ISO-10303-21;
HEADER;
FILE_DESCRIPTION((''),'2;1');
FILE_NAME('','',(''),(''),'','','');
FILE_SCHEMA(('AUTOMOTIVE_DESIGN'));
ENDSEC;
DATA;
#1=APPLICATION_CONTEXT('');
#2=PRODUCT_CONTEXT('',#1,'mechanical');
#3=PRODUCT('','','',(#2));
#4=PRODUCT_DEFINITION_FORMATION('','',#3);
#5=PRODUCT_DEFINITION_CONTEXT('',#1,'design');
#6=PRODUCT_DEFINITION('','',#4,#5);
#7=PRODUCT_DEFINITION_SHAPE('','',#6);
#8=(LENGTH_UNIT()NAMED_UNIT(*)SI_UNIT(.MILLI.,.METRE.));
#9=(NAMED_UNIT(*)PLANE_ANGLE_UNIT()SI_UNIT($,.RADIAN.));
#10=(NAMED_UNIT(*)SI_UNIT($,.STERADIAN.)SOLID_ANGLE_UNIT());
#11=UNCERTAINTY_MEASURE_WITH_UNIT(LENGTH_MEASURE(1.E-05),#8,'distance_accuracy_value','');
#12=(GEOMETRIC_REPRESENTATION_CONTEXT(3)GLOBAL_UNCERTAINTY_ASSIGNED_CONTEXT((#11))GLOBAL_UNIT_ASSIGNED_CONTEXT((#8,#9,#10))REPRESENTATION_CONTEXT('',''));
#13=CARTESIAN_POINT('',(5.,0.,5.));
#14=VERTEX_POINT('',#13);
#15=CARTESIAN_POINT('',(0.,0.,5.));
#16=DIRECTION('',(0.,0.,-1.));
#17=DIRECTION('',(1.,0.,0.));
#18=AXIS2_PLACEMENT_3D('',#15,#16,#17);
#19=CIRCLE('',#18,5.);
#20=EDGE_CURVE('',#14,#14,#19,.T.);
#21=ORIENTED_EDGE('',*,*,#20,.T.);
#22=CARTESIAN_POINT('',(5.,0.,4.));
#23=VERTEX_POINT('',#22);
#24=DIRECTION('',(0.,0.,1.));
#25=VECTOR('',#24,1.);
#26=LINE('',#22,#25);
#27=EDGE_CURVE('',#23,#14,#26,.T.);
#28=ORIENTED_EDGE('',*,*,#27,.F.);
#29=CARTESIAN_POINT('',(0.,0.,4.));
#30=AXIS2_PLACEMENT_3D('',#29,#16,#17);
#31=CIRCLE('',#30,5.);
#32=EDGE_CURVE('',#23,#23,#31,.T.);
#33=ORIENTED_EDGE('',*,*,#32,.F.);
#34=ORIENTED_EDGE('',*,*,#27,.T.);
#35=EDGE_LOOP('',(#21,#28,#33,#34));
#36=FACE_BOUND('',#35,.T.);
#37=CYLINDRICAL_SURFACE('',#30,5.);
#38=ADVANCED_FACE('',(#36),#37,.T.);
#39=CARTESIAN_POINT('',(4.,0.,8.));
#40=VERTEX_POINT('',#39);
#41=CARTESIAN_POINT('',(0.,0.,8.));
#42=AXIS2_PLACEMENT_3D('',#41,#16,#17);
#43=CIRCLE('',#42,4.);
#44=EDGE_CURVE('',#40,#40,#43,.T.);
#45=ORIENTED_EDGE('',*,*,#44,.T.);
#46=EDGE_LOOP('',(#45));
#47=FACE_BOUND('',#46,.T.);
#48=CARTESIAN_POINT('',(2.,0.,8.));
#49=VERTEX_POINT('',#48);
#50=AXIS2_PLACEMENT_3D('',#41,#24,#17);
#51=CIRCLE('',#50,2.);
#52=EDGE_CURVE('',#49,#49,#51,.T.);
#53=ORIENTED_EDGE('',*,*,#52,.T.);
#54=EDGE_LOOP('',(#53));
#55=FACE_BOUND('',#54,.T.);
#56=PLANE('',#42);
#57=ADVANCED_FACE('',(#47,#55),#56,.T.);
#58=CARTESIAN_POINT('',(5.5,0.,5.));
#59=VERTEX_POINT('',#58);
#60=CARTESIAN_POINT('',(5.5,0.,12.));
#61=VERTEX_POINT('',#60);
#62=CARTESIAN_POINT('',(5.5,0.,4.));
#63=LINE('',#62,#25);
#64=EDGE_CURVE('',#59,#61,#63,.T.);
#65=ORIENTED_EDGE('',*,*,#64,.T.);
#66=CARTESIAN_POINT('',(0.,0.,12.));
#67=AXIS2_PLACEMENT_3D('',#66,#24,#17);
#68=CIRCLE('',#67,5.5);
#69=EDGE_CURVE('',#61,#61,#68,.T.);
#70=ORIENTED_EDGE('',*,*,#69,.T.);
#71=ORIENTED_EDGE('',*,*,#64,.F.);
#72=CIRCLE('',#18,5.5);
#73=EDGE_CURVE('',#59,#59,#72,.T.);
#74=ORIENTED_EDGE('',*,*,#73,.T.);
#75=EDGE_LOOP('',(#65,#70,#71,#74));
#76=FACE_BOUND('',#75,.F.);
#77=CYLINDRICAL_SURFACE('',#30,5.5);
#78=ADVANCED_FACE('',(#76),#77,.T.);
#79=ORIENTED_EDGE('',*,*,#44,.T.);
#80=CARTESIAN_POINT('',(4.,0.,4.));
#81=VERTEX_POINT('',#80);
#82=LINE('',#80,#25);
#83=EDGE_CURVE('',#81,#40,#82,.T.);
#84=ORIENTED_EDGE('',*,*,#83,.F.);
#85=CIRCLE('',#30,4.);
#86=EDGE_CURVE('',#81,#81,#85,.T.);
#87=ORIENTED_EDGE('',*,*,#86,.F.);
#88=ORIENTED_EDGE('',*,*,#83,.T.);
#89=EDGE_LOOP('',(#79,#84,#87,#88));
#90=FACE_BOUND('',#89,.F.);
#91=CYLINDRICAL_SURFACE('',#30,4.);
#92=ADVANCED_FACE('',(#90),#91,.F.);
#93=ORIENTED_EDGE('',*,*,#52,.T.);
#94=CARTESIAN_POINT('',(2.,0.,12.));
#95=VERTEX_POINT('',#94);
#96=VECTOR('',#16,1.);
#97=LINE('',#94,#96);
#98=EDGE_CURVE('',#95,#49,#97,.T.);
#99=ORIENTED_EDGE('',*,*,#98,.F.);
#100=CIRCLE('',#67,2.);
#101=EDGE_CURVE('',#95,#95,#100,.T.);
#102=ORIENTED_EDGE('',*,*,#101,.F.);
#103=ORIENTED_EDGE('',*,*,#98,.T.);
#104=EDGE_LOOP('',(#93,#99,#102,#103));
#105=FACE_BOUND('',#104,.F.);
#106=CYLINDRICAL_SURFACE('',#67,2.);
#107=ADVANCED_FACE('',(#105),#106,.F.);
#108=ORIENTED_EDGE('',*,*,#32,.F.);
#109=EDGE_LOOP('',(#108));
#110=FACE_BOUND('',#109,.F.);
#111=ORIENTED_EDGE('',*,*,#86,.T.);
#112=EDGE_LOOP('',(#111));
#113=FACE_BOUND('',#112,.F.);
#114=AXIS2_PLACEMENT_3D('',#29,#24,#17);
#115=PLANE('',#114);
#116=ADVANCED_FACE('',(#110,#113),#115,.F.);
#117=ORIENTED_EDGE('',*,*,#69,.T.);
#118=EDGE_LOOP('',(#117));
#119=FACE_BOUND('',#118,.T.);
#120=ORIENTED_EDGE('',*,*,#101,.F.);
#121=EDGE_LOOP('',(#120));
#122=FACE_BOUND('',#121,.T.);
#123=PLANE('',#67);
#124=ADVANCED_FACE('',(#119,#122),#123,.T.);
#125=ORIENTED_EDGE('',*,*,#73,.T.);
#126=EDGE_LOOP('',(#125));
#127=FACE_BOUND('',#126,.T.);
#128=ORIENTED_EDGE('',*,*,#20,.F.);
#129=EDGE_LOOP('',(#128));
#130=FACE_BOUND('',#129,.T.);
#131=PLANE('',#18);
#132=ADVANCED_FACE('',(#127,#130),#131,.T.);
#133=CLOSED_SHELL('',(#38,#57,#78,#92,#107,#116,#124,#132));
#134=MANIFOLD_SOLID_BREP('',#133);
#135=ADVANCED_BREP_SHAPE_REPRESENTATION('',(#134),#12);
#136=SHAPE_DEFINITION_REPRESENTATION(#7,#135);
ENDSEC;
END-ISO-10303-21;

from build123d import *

# Parameters (mm, degrees)
F1_R     = 5.5
F2_DEPTH = 8
F3_R     = 4
F4_DEPTH = 4
F5_R     = 1
F6_DEPTH = 25
F5_R_2   = 2
F7_DEPTH = 5
F8_R     = 5.5
F8_R_2   = 5
F9_DEPTH = 1


with BuildPart() as f2:
    # F1 (on offset) → F2 (new body)
    with BuildSketch(Plane.XY.offset(4)):
        Circle(F1_R)
    extrude(amount=F2_DEPTH)

    # F3 (on face) → F4 (cut)
    with BuildSketch(Plane(origin=(0, 0, 4), x_dir=(1, 0, 0), z_dir=(0, 0, -1))):
        Circle(F3_R)
    extrude(amount=-F4_DEPTH, mode=Mode.SUBTRACT)

    # F5 (on face) → F6 (cut)
    with BuildSketch(Plane.XY.offset(12)):
        Circle(F5_R)
    extrude(amount=-F6_DEPTH, mode=Mode.SUBTRACT)

    # F5 (on face) → F7 (cut)
    with BuildSketch(Plane.XY.offset(12)):
        Circle(F5_R_2)
        Circle(F5_R, mode=Mode.SUBTRACT)
    extrude(amount=-F7_DEPTH, mode=Mode.SUBTRACT)

    # F8 (on face) → F9 (cut)
    with BuildSketch(Plane(origin=(0, 0, 4), x_dir=(1, 0, 0), z_dir=(0, 0, -1))):
        Circle(F8_R)
        Circle(F8_R_2, mode=Mode.SUBTRACT)
    extrude(amount=-F9_DEPTH, mode=Mode.SUBTRACT)


solid = f2.part
